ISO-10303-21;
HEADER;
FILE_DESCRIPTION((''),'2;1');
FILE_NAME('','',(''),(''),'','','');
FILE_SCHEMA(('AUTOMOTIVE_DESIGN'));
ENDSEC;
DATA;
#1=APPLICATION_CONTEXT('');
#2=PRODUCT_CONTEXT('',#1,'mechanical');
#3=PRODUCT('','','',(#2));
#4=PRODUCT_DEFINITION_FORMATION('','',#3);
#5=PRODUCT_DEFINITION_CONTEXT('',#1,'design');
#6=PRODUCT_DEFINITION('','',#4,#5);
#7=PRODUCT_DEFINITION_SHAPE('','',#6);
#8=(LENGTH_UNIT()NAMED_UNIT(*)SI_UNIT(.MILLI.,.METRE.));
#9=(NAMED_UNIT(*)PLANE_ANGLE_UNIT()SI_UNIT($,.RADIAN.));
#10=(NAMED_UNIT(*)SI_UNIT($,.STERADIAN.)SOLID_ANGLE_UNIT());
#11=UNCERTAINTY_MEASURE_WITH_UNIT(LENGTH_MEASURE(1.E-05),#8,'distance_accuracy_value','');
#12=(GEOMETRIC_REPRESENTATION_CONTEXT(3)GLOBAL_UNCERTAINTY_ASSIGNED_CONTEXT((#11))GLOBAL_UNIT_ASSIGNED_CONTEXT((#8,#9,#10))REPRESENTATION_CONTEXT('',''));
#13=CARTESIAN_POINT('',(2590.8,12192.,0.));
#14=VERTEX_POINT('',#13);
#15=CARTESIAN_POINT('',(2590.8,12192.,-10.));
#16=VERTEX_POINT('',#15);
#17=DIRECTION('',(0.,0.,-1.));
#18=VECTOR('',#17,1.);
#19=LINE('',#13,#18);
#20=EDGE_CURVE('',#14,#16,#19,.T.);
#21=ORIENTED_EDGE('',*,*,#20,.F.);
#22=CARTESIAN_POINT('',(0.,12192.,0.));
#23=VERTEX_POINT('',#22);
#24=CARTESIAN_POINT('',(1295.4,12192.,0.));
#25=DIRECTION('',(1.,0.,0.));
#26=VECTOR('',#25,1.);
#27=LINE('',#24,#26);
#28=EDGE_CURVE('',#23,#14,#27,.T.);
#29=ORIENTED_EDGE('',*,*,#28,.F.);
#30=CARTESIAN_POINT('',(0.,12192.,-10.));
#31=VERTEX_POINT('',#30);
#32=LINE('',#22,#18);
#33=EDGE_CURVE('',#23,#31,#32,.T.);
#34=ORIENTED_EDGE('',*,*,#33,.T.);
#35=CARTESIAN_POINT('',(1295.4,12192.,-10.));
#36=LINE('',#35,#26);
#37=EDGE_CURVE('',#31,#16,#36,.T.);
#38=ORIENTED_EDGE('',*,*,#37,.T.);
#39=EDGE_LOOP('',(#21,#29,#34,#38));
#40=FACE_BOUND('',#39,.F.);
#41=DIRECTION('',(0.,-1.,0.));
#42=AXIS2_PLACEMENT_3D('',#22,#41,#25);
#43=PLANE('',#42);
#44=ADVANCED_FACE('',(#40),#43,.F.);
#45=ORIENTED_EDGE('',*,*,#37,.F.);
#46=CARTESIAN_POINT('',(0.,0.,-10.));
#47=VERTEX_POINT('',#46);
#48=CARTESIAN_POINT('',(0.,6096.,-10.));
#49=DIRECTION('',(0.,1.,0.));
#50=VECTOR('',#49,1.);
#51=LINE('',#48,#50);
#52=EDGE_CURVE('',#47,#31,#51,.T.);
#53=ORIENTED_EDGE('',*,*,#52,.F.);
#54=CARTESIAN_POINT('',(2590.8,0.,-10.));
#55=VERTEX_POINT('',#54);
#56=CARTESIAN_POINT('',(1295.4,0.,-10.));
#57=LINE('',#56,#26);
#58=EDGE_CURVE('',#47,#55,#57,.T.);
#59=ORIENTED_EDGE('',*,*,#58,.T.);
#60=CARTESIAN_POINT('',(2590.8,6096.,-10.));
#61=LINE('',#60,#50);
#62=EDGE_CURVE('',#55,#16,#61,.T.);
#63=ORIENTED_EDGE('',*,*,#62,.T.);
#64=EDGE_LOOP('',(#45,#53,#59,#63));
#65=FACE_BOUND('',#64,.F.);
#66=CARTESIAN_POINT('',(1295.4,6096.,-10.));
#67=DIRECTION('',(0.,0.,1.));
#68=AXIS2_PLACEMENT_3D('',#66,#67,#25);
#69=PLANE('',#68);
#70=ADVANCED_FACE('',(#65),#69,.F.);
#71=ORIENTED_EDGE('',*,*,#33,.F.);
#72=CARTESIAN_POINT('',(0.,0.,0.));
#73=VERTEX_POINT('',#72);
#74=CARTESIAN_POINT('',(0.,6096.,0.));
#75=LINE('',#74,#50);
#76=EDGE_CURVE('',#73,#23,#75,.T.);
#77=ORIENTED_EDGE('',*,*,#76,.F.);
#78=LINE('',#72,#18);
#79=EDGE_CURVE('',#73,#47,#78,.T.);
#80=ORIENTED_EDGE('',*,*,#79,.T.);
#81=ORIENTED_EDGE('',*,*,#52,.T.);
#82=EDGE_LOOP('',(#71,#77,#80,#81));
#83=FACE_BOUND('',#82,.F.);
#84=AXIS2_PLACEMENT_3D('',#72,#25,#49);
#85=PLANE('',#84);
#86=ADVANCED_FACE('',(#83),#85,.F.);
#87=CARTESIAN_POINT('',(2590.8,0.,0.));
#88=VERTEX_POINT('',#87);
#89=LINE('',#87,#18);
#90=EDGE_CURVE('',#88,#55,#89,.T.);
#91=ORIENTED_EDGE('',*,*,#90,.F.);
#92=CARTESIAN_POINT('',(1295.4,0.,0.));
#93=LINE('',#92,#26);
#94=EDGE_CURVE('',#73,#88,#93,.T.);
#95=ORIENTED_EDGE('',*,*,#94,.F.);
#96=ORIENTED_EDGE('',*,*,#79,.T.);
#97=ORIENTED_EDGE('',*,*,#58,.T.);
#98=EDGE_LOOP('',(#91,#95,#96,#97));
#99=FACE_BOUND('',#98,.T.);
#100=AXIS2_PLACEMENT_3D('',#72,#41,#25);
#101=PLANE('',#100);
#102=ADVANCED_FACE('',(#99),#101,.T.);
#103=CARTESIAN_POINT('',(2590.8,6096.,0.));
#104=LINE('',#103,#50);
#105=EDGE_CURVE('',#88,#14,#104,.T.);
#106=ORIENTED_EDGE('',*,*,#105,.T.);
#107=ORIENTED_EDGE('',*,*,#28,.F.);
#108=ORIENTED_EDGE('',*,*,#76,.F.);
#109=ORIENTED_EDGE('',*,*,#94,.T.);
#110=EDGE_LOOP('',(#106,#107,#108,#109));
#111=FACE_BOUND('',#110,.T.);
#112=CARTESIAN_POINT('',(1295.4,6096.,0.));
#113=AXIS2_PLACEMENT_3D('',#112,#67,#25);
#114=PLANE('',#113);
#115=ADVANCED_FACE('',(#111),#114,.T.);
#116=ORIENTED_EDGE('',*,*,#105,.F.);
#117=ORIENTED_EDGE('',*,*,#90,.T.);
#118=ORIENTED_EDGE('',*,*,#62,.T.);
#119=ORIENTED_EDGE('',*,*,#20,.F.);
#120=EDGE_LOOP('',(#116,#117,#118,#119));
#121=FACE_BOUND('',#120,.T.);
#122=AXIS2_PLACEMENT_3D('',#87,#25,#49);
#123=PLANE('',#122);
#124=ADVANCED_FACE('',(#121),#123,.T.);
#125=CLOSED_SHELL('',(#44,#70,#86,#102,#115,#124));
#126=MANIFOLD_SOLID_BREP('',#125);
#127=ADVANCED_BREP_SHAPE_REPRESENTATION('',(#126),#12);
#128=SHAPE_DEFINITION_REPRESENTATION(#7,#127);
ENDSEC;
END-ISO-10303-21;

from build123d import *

# Parameters (mm, degrees)
SKETCH_W  = 2590.8
SKETCH_H  = 12192
PAD_DEPTH = 10


with BuildPart() as part:
    # Sketch → Pad (new body)
    with BuildSketch(Plane.XY):
        with Locations((1295.4, 6096)):
            Rectangle(SKETCH_W, SKETCH_H)
    extrude(amount=-PAD_DEPTH)


solid = part.part
